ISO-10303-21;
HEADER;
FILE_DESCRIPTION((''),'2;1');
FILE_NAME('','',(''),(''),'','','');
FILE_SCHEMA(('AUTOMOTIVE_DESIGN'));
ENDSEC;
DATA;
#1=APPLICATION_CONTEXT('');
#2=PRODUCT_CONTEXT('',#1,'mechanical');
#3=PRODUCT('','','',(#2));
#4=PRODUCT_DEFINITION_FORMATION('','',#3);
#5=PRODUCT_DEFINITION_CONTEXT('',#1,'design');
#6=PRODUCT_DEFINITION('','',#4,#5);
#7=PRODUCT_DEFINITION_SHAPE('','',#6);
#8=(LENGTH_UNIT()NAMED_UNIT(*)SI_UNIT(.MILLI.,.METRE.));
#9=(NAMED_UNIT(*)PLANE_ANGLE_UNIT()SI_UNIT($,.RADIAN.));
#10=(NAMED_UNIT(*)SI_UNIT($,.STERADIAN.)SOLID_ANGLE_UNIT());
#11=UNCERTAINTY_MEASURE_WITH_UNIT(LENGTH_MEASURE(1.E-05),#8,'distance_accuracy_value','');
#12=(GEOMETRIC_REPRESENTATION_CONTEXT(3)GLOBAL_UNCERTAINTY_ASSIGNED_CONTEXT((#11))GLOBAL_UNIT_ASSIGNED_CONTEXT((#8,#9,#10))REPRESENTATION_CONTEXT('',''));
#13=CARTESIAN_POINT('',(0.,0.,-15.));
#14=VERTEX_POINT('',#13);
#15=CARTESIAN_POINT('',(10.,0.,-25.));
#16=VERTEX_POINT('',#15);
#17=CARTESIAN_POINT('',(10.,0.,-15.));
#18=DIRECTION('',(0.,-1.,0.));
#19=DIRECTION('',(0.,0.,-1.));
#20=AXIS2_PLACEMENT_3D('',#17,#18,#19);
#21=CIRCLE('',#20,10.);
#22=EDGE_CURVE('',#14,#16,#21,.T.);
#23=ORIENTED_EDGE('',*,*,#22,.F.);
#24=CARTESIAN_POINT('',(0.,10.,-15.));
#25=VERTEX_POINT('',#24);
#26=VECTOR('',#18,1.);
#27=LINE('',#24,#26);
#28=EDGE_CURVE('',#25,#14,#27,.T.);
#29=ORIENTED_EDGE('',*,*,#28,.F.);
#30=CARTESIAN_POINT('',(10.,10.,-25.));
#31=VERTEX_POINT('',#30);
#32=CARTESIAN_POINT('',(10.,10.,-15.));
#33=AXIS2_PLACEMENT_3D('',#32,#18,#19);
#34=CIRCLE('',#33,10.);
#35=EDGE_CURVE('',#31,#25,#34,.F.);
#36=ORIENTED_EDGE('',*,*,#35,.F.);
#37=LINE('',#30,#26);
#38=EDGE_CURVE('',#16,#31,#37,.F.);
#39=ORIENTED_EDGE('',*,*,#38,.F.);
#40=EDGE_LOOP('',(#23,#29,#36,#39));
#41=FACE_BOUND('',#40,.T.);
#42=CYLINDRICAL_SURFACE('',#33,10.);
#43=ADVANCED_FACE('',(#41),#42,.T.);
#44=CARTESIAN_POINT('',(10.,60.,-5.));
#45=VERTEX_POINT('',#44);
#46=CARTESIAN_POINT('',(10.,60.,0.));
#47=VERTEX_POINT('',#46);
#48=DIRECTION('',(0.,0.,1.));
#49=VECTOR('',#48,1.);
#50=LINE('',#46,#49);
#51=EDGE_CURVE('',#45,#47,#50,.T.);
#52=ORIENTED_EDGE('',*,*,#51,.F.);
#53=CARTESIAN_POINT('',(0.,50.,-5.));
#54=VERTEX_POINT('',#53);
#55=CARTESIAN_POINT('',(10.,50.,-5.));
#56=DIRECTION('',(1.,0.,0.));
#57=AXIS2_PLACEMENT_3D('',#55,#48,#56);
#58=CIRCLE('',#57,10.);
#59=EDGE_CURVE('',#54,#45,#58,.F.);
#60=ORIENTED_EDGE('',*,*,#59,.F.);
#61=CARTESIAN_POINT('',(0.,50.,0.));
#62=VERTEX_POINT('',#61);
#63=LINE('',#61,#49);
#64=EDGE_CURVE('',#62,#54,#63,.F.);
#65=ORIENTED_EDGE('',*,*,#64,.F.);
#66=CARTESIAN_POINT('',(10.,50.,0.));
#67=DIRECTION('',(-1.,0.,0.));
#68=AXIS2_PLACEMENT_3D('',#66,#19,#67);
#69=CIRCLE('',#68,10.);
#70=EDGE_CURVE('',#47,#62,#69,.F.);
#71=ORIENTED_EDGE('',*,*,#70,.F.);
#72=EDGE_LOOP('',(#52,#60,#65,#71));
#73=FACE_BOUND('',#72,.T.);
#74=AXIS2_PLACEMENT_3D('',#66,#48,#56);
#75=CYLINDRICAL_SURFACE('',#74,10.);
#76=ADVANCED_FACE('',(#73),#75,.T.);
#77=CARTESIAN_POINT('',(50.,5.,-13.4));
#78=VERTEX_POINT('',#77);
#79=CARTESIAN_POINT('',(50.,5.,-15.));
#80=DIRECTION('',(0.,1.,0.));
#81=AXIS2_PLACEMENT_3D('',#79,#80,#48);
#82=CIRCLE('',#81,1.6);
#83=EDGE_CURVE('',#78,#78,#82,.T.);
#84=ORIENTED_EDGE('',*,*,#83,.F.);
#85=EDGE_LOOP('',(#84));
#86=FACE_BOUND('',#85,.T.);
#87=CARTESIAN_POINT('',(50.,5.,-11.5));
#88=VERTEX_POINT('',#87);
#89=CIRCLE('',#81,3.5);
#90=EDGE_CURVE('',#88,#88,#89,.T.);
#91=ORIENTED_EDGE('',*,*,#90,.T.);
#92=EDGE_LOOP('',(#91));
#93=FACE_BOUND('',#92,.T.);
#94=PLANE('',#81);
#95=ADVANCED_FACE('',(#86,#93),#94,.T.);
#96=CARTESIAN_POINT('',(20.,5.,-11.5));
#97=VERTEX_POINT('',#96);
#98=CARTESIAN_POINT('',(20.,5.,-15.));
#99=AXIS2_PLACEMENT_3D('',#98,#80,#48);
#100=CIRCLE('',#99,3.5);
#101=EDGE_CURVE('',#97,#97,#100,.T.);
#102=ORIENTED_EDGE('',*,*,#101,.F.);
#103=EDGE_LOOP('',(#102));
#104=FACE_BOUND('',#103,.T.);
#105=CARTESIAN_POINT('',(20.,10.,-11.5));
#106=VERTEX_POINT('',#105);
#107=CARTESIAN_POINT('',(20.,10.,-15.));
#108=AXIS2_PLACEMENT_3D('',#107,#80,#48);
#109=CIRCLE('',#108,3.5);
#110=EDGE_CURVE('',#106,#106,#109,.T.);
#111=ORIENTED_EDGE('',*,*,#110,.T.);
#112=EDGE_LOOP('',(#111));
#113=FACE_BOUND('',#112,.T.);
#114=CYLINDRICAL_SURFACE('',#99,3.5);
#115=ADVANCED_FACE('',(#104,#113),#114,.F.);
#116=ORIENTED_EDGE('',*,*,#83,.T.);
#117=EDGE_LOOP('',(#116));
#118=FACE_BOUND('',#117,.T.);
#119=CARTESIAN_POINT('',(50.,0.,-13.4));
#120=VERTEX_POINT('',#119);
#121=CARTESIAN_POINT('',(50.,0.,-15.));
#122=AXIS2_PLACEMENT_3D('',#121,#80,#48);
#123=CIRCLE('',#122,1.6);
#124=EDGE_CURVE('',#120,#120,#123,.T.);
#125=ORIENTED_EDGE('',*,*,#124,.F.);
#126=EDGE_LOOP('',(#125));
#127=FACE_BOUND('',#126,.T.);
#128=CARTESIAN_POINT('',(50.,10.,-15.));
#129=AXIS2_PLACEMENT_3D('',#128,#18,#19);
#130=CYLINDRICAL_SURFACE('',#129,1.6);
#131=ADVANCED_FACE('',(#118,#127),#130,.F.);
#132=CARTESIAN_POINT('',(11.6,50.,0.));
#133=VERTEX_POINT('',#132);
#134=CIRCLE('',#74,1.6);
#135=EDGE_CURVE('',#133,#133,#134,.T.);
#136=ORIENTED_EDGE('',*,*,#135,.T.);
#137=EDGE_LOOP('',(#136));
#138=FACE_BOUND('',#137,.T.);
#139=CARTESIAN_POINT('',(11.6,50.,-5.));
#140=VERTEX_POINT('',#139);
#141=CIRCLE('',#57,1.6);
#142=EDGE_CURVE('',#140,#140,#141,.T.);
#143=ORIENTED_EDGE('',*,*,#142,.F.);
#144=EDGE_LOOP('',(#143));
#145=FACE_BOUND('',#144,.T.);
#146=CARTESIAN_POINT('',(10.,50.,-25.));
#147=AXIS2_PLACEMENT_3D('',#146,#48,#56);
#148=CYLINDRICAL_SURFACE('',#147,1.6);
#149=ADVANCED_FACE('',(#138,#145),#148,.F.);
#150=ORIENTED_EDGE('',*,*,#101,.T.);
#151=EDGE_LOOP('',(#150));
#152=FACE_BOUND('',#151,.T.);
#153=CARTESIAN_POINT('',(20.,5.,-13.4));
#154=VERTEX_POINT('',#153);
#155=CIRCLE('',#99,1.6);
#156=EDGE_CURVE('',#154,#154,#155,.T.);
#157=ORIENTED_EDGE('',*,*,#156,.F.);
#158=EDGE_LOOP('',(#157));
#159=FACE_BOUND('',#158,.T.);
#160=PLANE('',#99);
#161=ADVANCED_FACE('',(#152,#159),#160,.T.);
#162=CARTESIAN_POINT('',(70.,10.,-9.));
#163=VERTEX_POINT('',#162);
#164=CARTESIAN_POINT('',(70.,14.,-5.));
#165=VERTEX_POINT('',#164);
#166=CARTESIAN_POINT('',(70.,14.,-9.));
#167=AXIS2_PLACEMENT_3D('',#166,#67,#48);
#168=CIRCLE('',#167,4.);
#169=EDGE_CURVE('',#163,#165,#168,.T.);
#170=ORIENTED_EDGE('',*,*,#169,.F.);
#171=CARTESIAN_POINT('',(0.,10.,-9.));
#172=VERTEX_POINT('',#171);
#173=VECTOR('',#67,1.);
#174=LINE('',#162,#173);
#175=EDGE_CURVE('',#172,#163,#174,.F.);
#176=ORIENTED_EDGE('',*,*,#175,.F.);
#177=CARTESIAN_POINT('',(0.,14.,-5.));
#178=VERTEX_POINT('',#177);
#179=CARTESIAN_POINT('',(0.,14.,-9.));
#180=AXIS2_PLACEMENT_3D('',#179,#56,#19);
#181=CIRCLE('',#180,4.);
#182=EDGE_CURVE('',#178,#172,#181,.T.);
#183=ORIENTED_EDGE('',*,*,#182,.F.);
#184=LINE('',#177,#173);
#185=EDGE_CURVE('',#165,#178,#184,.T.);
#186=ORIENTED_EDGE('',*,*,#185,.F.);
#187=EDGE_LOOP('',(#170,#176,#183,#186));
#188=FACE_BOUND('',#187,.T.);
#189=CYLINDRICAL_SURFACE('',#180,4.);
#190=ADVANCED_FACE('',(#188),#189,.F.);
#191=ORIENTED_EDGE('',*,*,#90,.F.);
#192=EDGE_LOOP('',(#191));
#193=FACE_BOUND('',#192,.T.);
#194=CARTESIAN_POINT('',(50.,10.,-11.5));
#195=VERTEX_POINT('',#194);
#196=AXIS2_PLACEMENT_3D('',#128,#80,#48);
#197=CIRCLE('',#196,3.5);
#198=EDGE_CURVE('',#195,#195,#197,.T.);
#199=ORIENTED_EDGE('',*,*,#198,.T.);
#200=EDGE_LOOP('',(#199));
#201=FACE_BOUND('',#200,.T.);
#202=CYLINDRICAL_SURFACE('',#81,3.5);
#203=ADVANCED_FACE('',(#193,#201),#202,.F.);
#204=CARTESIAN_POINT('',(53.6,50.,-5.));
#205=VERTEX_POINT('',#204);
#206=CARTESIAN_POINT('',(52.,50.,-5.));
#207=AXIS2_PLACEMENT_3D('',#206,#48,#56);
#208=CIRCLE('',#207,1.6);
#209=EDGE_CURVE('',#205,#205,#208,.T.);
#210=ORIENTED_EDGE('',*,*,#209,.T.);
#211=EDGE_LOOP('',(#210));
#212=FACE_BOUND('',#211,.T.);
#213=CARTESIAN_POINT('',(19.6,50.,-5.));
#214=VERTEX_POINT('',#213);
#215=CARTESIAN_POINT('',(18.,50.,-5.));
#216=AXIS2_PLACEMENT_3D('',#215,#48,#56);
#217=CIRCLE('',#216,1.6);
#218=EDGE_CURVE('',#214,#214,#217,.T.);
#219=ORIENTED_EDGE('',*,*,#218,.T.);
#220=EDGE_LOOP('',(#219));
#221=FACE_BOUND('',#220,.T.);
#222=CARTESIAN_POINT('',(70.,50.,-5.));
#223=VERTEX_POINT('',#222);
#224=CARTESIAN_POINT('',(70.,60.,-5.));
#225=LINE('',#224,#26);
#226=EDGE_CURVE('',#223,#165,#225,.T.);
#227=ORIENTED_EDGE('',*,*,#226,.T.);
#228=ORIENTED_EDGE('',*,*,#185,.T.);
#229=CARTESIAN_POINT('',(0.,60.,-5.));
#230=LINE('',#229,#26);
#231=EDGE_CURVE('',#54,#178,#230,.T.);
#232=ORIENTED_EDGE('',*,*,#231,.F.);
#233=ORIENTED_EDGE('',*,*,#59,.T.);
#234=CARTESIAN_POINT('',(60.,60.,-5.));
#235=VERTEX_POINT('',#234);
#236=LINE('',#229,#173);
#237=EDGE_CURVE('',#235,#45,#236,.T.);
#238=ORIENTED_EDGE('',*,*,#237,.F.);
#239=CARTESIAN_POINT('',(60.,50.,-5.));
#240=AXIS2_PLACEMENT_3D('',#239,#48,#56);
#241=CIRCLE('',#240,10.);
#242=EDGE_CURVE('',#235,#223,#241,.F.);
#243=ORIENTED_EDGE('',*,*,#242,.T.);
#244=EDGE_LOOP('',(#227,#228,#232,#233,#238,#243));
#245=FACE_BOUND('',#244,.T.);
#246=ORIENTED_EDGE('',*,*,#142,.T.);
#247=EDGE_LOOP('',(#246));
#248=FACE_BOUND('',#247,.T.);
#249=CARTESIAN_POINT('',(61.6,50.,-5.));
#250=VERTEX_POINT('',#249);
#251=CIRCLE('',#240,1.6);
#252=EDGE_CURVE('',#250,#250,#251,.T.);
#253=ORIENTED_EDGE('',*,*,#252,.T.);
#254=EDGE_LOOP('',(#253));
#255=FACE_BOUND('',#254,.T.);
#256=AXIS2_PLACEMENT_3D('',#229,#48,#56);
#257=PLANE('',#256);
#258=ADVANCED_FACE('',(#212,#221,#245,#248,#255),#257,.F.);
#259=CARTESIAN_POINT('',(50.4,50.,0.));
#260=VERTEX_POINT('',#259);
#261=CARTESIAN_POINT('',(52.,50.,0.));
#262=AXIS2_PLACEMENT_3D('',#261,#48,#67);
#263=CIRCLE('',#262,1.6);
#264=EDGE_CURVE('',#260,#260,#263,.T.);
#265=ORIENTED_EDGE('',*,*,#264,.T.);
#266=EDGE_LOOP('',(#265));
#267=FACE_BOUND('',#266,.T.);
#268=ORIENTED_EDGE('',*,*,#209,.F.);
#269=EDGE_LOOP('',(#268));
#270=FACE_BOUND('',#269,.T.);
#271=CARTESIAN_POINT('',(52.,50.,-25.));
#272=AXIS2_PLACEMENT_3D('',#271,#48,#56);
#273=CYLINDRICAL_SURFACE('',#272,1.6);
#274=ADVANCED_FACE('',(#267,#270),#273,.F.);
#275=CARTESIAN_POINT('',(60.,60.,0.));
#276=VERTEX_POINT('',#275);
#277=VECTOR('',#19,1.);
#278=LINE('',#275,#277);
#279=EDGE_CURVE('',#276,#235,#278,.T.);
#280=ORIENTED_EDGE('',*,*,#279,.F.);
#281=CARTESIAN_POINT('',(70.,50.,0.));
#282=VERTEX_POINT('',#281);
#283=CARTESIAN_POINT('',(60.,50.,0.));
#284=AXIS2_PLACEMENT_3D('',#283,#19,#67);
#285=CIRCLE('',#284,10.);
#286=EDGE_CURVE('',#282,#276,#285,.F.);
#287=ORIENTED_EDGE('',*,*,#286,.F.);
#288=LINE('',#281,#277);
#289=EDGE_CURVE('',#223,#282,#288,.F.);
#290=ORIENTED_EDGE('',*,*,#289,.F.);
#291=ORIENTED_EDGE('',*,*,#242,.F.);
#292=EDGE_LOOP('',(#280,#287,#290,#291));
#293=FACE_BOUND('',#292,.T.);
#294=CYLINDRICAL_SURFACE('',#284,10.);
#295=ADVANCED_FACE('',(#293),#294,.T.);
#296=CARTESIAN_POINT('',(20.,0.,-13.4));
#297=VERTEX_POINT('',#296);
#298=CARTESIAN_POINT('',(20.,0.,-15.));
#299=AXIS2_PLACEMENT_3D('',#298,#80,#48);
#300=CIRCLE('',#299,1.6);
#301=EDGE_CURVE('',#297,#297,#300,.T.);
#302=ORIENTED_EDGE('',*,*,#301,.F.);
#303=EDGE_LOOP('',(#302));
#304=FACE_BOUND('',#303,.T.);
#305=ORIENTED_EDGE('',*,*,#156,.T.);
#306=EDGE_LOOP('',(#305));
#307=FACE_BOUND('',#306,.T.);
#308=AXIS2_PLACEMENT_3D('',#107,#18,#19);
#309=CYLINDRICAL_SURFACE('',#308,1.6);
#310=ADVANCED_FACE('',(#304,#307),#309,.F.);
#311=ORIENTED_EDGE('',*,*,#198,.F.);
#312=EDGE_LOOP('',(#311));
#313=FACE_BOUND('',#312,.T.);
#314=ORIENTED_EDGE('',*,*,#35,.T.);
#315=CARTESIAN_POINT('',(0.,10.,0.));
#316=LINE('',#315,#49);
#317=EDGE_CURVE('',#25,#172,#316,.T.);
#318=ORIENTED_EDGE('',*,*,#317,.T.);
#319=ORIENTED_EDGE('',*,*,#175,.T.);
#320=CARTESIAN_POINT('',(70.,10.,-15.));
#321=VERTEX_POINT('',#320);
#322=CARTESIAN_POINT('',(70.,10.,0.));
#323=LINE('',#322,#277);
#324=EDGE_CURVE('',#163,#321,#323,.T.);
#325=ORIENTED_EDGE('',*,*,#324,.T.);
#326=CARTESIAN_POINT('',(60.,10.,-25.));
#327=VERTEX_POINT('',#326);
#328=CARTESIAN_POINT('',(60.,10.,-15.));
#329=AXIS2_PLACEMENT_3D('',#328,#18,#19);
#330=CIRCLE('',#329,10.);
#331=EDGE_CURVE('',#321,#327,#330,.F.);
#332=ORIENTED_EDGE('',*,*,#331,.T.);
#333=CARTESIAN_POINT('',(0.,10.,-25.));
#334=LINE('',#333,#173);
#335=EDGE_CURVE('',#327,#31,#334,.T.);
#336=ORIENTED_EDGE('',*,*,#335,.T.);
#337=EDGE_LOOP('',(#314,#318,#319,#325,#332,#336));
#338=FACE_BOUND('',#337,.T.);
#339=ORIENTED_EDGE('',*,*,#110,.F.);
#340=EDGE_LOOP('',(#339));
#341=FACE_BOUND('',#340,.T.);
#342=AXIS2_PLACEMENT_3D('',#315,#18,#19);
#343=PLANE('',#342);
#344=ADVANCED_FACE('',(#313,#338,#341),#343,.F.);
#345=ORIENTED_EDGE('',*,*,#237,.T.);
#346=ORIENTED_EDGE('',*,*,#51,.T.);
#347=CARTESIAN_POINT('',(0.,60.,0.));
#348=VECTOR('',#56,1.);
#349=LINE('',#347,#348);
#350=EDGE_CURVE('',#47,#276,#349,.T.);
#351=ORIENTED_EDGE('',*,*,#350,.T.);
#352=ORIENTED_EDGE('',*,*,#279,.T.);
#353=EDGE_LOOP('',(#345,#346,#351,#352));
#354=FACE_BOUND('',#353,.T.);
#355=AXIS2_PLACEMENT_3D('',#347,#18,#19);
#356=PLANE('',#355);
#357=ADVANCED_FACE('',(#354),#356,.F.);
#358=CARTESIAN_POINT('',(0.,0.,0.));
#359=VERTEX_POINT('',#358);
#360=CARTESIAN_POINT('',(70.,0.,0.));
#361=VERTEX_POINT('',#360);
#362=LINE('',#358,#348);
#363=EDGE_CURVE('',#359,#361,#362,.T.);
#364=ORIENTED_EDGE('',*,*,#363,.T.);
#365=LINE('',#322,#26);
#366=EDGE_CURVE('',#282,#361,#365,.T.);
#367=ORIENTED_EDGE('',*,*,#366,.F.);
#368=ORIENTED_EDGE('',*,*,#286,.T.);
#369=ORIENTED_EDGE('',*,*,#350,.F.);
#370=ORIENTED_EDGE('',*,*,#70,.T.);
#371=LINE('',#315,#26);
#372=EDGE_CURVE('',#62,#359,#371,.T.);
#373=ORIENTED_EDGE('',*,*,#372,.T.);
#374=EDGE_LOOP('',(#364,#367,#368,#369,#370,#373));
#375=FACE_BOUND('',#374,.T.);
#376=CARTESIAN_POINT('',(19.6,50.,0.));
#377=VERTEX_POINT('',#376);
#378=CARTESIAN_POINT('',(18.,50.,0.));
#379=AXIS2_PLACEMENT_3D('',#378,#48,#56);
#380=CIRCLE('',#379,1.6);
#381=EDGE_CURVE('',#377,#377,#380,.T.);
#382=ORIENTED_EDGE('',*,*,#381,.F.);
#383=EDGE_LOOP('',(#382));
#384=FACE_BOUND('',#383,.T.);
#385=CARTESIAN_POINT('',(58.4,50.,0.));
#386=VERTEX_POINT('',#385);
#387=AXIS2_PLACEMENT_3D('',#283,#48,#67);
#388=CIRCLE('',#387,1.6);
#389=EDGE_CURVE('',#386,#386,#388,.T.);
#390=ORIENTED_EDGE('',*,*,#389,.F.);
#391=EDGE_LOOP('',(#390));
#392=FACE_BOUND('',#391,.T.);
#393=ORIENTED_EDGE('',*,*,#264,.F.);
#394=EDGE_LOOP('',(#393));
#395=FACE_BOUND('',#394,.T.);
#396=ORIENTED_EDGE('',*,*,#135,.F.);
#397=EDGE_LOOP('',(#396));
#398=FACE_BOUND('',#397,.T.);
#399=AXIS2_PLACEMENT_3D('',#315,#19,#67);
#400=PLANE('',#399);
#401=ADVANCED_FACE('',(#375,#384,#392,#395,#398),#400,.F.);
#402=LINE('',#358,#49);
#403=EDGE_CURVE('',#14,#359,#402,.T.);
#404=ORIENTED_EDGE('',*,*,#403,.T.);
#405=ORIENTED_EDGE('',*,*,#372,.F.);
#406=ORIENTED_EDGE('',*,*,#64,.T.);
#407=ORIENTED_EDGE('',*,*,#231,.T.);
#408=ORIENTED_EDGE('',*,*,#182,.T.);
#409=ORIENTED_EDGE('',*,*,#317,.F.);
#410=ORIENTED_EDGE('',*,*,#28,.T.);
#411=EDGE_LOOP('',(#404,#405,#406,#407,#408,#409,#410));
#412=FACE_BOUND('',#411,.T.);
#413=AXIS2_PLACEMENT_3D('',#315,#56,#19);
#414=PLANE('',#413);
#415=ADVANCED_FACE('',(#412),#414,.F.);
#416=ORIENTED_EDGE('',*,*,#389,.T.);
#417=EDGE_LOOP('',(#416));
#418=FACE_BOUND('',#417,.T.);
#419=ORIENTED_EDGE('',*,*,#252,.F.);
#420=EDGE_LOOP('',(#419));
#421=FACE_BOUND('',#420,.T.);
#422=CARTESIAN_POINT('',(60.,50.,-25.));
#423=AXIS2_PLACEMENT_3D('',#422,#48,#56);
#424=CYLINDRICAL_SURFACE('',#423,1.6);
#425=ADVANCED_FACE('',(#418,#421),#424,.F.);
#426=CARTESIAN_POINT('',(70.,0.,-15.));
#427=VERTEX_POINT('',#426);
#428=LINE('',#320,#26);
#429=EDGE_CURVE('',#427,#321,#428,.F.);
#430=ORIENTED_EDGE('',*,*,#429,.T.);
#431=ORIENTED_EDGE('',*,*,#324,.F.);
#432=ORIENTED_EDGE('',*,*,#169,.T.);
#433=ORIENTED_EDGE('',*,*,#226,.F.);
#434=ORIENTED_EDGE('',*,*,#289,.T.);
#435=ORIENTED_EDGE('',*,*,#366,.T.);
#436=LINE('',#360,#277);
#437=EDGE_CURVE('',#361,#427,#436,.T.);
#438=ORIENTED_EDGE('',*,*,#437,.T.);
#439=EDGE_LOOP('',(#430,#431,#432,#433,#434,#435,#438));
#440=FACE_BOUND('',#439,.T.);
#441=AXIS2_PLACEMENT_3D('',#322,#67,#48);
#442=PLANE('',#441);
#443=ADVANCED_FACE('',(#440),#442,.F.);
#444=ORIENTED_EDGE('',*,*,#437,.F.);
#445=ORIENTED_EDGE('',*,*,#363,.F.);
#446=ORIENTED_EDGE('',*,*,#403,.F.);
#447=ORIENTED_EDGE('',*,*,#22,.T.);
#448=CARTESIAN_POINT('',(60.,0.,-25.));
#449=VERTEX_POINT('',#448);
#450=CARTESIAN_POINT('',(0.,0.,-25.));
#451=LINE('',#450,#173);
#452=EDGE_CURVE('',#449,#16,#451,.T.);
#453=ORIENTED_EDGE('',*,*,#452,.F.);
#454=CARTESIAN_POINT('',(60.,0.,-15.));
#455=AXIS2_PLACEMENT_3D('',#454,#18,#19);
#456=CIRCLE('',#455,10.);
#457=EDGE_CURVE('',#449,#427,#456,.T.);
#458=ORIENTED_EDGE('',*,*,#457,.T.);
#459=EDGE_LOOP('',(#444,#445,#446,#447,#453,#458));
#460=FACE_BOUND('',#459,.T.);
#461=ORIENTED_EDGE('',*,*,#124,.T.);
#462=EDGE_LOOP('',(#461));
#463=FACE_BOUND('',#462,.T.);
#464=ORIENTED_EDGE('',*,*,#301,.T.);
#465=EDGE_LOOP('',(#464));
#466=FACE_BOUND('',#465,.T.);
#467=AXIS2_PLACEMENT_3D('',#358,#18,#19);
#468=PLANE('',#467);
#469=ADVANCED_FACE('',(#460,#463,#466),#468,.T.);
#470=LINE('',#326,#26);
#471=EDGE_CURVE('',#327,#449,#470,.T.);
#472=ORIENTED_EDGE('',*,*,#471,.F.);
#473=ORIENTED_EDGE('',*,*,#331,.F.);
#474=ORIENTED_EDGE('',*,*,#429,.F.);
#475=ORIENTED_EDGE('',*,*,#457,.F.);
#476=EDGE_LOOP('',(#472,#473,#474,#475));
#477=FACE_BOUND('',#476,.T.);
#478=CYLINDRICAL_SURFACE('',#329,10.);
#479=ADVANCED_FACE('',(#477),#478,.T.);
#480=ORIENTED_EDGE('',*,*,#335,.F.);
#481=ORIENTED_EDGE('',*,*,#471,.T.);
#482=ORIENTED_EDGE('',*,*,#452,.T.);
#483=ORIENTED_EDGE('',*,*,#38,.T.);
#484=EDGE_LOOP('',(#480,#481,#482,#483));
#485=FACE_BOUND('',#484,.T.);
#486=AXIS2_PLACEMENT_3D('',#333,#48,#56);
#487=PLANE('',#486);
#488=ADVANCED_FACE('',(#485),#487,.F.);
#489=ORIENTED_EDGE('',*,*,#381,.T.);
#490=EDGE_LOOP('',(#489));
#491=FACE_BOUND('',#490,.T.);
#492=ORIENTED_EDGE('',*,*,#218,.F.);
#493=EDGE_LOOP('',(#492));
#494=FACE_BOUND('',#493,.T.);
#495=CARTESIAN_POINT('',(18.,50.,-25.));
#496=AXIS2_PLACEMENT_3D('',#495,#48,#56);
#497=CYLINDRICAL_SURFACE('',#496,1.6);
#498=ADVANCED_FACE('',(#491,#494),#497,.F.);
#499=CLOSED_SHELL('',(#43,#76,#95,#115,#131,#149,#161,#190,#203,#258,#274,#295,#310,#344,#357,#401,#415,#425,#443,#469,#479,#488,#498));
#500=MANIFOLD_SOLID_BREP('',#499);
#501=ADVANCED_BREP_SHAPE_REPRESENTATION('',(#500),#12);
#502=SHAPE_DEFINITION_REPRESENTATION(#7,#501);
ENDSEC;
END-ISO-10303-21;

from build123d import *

# Parameters (mm, degrees)
SKETCH1_W           = 70
SKETCH1_H           = 25
SKETCH1_R           = 1.6
BOSS_EXTRUDE2_DEPTH = 10
SKETCH2_W           = 70
SKETCH2_H           = 5
BOSS_EXTRUDE3_DEPTH = 50
SKETCH3_R           = 3.5
CUT_EXTRUDE1_DEPTH  = 5
FILLET1_R           = 4
FILLET2_R           = 10
SKETCH4_R           = 1.6
CUT_EXTRUDE2_DEPTH  = 96.524865873


with BuildPart() as part:
    # Sketch1 → Boss-Extrude2 (new body)
    with BuildSketch(Plane(origin=(0, 0, 0), x_dir=(1, 0, 0), z_dir=(0, 1, 0))):
        with Locations((35, 12.5)):
            Rectangle(SKETCH1_W, SKETCH1_H)
        with Locations(Location((20, 15, 0), (0, 0, 270))):
            Circle(SKETCH1_R, mode=Mode.SUBTRACT)
        with Locations(Location((50, 15, 0), (0, 0, 270))):
            Circle(SKETCH1_R, mode=Mode.SUBTRACT)
    extrude(amount=BOSS_EXTRUDE2_DEPTH)

    # Sketch2 → Boss-Extrude3 (add)
    with BuildSketch(Plane(origin=(0, 10, 0), x_dir=(1, 0, 0), z_dir=(0, 1, 0))):
        with Locations((35, 2.5)):
            Rectangle(SKETCH2_W, SKETCH2_H)
    extrude(amount=BOSS_EXTRUDE3_DEPTH)

    # Sketch3 → Cut-Extrude1 (cut)
    with BuildSketch(Plane(origin=(0, 10, 0), x_dir=(1, 0, 0), z_dir=(0, 1, 0))):
        with Locations(Location((20, 15, 0), (0, 0, 270))):
            Circle(SKETCH3_R)
        with Locations(Location((50, 15, 0), (0, 0, 270))):
            Circle(SKETCH3_R)
    extrude(amount=-CUT_EXTRUDE1_DEPTH, mode=Mode.SUBTRACT)

    # Fillet1
    fillet1_edges = [part.edges().sort_by_distance(p)[0] for p in [
        (35, 10, -5),
    ]]
    fillet(fillet1_edges, radius=FILLET1_R)

    # Fillet2
    fillet2_edges = [part.edges().sort_by_distance(p)[0] for p in [
        (0, 60, -2.5),
        (70, 60, -2.5),
        (0, 5, -25),
        (70, 5, -25),
    ]]
    fillet(fillet2_edges, radius=FILLET2_R)

    # Sketch4 → Cut-Extrude2 (cut, through all)
    with BuildSketch(Plane.XY):
        with Locations((10, 50)):
            Circle(SKETCH4_R)
        with Locations((18, 50)):
            Circle(SKETCH4_R)
        with Locations((52, 50)):
            Circle(SKETCH4_R)
        with Locations((60, 50)):
            Circle(SKETCH4_R)
    extrude(amount=-CUT_EXTRUDE2_DEPTH, mode=Mode.SUBTRACT)


solid = part.part
